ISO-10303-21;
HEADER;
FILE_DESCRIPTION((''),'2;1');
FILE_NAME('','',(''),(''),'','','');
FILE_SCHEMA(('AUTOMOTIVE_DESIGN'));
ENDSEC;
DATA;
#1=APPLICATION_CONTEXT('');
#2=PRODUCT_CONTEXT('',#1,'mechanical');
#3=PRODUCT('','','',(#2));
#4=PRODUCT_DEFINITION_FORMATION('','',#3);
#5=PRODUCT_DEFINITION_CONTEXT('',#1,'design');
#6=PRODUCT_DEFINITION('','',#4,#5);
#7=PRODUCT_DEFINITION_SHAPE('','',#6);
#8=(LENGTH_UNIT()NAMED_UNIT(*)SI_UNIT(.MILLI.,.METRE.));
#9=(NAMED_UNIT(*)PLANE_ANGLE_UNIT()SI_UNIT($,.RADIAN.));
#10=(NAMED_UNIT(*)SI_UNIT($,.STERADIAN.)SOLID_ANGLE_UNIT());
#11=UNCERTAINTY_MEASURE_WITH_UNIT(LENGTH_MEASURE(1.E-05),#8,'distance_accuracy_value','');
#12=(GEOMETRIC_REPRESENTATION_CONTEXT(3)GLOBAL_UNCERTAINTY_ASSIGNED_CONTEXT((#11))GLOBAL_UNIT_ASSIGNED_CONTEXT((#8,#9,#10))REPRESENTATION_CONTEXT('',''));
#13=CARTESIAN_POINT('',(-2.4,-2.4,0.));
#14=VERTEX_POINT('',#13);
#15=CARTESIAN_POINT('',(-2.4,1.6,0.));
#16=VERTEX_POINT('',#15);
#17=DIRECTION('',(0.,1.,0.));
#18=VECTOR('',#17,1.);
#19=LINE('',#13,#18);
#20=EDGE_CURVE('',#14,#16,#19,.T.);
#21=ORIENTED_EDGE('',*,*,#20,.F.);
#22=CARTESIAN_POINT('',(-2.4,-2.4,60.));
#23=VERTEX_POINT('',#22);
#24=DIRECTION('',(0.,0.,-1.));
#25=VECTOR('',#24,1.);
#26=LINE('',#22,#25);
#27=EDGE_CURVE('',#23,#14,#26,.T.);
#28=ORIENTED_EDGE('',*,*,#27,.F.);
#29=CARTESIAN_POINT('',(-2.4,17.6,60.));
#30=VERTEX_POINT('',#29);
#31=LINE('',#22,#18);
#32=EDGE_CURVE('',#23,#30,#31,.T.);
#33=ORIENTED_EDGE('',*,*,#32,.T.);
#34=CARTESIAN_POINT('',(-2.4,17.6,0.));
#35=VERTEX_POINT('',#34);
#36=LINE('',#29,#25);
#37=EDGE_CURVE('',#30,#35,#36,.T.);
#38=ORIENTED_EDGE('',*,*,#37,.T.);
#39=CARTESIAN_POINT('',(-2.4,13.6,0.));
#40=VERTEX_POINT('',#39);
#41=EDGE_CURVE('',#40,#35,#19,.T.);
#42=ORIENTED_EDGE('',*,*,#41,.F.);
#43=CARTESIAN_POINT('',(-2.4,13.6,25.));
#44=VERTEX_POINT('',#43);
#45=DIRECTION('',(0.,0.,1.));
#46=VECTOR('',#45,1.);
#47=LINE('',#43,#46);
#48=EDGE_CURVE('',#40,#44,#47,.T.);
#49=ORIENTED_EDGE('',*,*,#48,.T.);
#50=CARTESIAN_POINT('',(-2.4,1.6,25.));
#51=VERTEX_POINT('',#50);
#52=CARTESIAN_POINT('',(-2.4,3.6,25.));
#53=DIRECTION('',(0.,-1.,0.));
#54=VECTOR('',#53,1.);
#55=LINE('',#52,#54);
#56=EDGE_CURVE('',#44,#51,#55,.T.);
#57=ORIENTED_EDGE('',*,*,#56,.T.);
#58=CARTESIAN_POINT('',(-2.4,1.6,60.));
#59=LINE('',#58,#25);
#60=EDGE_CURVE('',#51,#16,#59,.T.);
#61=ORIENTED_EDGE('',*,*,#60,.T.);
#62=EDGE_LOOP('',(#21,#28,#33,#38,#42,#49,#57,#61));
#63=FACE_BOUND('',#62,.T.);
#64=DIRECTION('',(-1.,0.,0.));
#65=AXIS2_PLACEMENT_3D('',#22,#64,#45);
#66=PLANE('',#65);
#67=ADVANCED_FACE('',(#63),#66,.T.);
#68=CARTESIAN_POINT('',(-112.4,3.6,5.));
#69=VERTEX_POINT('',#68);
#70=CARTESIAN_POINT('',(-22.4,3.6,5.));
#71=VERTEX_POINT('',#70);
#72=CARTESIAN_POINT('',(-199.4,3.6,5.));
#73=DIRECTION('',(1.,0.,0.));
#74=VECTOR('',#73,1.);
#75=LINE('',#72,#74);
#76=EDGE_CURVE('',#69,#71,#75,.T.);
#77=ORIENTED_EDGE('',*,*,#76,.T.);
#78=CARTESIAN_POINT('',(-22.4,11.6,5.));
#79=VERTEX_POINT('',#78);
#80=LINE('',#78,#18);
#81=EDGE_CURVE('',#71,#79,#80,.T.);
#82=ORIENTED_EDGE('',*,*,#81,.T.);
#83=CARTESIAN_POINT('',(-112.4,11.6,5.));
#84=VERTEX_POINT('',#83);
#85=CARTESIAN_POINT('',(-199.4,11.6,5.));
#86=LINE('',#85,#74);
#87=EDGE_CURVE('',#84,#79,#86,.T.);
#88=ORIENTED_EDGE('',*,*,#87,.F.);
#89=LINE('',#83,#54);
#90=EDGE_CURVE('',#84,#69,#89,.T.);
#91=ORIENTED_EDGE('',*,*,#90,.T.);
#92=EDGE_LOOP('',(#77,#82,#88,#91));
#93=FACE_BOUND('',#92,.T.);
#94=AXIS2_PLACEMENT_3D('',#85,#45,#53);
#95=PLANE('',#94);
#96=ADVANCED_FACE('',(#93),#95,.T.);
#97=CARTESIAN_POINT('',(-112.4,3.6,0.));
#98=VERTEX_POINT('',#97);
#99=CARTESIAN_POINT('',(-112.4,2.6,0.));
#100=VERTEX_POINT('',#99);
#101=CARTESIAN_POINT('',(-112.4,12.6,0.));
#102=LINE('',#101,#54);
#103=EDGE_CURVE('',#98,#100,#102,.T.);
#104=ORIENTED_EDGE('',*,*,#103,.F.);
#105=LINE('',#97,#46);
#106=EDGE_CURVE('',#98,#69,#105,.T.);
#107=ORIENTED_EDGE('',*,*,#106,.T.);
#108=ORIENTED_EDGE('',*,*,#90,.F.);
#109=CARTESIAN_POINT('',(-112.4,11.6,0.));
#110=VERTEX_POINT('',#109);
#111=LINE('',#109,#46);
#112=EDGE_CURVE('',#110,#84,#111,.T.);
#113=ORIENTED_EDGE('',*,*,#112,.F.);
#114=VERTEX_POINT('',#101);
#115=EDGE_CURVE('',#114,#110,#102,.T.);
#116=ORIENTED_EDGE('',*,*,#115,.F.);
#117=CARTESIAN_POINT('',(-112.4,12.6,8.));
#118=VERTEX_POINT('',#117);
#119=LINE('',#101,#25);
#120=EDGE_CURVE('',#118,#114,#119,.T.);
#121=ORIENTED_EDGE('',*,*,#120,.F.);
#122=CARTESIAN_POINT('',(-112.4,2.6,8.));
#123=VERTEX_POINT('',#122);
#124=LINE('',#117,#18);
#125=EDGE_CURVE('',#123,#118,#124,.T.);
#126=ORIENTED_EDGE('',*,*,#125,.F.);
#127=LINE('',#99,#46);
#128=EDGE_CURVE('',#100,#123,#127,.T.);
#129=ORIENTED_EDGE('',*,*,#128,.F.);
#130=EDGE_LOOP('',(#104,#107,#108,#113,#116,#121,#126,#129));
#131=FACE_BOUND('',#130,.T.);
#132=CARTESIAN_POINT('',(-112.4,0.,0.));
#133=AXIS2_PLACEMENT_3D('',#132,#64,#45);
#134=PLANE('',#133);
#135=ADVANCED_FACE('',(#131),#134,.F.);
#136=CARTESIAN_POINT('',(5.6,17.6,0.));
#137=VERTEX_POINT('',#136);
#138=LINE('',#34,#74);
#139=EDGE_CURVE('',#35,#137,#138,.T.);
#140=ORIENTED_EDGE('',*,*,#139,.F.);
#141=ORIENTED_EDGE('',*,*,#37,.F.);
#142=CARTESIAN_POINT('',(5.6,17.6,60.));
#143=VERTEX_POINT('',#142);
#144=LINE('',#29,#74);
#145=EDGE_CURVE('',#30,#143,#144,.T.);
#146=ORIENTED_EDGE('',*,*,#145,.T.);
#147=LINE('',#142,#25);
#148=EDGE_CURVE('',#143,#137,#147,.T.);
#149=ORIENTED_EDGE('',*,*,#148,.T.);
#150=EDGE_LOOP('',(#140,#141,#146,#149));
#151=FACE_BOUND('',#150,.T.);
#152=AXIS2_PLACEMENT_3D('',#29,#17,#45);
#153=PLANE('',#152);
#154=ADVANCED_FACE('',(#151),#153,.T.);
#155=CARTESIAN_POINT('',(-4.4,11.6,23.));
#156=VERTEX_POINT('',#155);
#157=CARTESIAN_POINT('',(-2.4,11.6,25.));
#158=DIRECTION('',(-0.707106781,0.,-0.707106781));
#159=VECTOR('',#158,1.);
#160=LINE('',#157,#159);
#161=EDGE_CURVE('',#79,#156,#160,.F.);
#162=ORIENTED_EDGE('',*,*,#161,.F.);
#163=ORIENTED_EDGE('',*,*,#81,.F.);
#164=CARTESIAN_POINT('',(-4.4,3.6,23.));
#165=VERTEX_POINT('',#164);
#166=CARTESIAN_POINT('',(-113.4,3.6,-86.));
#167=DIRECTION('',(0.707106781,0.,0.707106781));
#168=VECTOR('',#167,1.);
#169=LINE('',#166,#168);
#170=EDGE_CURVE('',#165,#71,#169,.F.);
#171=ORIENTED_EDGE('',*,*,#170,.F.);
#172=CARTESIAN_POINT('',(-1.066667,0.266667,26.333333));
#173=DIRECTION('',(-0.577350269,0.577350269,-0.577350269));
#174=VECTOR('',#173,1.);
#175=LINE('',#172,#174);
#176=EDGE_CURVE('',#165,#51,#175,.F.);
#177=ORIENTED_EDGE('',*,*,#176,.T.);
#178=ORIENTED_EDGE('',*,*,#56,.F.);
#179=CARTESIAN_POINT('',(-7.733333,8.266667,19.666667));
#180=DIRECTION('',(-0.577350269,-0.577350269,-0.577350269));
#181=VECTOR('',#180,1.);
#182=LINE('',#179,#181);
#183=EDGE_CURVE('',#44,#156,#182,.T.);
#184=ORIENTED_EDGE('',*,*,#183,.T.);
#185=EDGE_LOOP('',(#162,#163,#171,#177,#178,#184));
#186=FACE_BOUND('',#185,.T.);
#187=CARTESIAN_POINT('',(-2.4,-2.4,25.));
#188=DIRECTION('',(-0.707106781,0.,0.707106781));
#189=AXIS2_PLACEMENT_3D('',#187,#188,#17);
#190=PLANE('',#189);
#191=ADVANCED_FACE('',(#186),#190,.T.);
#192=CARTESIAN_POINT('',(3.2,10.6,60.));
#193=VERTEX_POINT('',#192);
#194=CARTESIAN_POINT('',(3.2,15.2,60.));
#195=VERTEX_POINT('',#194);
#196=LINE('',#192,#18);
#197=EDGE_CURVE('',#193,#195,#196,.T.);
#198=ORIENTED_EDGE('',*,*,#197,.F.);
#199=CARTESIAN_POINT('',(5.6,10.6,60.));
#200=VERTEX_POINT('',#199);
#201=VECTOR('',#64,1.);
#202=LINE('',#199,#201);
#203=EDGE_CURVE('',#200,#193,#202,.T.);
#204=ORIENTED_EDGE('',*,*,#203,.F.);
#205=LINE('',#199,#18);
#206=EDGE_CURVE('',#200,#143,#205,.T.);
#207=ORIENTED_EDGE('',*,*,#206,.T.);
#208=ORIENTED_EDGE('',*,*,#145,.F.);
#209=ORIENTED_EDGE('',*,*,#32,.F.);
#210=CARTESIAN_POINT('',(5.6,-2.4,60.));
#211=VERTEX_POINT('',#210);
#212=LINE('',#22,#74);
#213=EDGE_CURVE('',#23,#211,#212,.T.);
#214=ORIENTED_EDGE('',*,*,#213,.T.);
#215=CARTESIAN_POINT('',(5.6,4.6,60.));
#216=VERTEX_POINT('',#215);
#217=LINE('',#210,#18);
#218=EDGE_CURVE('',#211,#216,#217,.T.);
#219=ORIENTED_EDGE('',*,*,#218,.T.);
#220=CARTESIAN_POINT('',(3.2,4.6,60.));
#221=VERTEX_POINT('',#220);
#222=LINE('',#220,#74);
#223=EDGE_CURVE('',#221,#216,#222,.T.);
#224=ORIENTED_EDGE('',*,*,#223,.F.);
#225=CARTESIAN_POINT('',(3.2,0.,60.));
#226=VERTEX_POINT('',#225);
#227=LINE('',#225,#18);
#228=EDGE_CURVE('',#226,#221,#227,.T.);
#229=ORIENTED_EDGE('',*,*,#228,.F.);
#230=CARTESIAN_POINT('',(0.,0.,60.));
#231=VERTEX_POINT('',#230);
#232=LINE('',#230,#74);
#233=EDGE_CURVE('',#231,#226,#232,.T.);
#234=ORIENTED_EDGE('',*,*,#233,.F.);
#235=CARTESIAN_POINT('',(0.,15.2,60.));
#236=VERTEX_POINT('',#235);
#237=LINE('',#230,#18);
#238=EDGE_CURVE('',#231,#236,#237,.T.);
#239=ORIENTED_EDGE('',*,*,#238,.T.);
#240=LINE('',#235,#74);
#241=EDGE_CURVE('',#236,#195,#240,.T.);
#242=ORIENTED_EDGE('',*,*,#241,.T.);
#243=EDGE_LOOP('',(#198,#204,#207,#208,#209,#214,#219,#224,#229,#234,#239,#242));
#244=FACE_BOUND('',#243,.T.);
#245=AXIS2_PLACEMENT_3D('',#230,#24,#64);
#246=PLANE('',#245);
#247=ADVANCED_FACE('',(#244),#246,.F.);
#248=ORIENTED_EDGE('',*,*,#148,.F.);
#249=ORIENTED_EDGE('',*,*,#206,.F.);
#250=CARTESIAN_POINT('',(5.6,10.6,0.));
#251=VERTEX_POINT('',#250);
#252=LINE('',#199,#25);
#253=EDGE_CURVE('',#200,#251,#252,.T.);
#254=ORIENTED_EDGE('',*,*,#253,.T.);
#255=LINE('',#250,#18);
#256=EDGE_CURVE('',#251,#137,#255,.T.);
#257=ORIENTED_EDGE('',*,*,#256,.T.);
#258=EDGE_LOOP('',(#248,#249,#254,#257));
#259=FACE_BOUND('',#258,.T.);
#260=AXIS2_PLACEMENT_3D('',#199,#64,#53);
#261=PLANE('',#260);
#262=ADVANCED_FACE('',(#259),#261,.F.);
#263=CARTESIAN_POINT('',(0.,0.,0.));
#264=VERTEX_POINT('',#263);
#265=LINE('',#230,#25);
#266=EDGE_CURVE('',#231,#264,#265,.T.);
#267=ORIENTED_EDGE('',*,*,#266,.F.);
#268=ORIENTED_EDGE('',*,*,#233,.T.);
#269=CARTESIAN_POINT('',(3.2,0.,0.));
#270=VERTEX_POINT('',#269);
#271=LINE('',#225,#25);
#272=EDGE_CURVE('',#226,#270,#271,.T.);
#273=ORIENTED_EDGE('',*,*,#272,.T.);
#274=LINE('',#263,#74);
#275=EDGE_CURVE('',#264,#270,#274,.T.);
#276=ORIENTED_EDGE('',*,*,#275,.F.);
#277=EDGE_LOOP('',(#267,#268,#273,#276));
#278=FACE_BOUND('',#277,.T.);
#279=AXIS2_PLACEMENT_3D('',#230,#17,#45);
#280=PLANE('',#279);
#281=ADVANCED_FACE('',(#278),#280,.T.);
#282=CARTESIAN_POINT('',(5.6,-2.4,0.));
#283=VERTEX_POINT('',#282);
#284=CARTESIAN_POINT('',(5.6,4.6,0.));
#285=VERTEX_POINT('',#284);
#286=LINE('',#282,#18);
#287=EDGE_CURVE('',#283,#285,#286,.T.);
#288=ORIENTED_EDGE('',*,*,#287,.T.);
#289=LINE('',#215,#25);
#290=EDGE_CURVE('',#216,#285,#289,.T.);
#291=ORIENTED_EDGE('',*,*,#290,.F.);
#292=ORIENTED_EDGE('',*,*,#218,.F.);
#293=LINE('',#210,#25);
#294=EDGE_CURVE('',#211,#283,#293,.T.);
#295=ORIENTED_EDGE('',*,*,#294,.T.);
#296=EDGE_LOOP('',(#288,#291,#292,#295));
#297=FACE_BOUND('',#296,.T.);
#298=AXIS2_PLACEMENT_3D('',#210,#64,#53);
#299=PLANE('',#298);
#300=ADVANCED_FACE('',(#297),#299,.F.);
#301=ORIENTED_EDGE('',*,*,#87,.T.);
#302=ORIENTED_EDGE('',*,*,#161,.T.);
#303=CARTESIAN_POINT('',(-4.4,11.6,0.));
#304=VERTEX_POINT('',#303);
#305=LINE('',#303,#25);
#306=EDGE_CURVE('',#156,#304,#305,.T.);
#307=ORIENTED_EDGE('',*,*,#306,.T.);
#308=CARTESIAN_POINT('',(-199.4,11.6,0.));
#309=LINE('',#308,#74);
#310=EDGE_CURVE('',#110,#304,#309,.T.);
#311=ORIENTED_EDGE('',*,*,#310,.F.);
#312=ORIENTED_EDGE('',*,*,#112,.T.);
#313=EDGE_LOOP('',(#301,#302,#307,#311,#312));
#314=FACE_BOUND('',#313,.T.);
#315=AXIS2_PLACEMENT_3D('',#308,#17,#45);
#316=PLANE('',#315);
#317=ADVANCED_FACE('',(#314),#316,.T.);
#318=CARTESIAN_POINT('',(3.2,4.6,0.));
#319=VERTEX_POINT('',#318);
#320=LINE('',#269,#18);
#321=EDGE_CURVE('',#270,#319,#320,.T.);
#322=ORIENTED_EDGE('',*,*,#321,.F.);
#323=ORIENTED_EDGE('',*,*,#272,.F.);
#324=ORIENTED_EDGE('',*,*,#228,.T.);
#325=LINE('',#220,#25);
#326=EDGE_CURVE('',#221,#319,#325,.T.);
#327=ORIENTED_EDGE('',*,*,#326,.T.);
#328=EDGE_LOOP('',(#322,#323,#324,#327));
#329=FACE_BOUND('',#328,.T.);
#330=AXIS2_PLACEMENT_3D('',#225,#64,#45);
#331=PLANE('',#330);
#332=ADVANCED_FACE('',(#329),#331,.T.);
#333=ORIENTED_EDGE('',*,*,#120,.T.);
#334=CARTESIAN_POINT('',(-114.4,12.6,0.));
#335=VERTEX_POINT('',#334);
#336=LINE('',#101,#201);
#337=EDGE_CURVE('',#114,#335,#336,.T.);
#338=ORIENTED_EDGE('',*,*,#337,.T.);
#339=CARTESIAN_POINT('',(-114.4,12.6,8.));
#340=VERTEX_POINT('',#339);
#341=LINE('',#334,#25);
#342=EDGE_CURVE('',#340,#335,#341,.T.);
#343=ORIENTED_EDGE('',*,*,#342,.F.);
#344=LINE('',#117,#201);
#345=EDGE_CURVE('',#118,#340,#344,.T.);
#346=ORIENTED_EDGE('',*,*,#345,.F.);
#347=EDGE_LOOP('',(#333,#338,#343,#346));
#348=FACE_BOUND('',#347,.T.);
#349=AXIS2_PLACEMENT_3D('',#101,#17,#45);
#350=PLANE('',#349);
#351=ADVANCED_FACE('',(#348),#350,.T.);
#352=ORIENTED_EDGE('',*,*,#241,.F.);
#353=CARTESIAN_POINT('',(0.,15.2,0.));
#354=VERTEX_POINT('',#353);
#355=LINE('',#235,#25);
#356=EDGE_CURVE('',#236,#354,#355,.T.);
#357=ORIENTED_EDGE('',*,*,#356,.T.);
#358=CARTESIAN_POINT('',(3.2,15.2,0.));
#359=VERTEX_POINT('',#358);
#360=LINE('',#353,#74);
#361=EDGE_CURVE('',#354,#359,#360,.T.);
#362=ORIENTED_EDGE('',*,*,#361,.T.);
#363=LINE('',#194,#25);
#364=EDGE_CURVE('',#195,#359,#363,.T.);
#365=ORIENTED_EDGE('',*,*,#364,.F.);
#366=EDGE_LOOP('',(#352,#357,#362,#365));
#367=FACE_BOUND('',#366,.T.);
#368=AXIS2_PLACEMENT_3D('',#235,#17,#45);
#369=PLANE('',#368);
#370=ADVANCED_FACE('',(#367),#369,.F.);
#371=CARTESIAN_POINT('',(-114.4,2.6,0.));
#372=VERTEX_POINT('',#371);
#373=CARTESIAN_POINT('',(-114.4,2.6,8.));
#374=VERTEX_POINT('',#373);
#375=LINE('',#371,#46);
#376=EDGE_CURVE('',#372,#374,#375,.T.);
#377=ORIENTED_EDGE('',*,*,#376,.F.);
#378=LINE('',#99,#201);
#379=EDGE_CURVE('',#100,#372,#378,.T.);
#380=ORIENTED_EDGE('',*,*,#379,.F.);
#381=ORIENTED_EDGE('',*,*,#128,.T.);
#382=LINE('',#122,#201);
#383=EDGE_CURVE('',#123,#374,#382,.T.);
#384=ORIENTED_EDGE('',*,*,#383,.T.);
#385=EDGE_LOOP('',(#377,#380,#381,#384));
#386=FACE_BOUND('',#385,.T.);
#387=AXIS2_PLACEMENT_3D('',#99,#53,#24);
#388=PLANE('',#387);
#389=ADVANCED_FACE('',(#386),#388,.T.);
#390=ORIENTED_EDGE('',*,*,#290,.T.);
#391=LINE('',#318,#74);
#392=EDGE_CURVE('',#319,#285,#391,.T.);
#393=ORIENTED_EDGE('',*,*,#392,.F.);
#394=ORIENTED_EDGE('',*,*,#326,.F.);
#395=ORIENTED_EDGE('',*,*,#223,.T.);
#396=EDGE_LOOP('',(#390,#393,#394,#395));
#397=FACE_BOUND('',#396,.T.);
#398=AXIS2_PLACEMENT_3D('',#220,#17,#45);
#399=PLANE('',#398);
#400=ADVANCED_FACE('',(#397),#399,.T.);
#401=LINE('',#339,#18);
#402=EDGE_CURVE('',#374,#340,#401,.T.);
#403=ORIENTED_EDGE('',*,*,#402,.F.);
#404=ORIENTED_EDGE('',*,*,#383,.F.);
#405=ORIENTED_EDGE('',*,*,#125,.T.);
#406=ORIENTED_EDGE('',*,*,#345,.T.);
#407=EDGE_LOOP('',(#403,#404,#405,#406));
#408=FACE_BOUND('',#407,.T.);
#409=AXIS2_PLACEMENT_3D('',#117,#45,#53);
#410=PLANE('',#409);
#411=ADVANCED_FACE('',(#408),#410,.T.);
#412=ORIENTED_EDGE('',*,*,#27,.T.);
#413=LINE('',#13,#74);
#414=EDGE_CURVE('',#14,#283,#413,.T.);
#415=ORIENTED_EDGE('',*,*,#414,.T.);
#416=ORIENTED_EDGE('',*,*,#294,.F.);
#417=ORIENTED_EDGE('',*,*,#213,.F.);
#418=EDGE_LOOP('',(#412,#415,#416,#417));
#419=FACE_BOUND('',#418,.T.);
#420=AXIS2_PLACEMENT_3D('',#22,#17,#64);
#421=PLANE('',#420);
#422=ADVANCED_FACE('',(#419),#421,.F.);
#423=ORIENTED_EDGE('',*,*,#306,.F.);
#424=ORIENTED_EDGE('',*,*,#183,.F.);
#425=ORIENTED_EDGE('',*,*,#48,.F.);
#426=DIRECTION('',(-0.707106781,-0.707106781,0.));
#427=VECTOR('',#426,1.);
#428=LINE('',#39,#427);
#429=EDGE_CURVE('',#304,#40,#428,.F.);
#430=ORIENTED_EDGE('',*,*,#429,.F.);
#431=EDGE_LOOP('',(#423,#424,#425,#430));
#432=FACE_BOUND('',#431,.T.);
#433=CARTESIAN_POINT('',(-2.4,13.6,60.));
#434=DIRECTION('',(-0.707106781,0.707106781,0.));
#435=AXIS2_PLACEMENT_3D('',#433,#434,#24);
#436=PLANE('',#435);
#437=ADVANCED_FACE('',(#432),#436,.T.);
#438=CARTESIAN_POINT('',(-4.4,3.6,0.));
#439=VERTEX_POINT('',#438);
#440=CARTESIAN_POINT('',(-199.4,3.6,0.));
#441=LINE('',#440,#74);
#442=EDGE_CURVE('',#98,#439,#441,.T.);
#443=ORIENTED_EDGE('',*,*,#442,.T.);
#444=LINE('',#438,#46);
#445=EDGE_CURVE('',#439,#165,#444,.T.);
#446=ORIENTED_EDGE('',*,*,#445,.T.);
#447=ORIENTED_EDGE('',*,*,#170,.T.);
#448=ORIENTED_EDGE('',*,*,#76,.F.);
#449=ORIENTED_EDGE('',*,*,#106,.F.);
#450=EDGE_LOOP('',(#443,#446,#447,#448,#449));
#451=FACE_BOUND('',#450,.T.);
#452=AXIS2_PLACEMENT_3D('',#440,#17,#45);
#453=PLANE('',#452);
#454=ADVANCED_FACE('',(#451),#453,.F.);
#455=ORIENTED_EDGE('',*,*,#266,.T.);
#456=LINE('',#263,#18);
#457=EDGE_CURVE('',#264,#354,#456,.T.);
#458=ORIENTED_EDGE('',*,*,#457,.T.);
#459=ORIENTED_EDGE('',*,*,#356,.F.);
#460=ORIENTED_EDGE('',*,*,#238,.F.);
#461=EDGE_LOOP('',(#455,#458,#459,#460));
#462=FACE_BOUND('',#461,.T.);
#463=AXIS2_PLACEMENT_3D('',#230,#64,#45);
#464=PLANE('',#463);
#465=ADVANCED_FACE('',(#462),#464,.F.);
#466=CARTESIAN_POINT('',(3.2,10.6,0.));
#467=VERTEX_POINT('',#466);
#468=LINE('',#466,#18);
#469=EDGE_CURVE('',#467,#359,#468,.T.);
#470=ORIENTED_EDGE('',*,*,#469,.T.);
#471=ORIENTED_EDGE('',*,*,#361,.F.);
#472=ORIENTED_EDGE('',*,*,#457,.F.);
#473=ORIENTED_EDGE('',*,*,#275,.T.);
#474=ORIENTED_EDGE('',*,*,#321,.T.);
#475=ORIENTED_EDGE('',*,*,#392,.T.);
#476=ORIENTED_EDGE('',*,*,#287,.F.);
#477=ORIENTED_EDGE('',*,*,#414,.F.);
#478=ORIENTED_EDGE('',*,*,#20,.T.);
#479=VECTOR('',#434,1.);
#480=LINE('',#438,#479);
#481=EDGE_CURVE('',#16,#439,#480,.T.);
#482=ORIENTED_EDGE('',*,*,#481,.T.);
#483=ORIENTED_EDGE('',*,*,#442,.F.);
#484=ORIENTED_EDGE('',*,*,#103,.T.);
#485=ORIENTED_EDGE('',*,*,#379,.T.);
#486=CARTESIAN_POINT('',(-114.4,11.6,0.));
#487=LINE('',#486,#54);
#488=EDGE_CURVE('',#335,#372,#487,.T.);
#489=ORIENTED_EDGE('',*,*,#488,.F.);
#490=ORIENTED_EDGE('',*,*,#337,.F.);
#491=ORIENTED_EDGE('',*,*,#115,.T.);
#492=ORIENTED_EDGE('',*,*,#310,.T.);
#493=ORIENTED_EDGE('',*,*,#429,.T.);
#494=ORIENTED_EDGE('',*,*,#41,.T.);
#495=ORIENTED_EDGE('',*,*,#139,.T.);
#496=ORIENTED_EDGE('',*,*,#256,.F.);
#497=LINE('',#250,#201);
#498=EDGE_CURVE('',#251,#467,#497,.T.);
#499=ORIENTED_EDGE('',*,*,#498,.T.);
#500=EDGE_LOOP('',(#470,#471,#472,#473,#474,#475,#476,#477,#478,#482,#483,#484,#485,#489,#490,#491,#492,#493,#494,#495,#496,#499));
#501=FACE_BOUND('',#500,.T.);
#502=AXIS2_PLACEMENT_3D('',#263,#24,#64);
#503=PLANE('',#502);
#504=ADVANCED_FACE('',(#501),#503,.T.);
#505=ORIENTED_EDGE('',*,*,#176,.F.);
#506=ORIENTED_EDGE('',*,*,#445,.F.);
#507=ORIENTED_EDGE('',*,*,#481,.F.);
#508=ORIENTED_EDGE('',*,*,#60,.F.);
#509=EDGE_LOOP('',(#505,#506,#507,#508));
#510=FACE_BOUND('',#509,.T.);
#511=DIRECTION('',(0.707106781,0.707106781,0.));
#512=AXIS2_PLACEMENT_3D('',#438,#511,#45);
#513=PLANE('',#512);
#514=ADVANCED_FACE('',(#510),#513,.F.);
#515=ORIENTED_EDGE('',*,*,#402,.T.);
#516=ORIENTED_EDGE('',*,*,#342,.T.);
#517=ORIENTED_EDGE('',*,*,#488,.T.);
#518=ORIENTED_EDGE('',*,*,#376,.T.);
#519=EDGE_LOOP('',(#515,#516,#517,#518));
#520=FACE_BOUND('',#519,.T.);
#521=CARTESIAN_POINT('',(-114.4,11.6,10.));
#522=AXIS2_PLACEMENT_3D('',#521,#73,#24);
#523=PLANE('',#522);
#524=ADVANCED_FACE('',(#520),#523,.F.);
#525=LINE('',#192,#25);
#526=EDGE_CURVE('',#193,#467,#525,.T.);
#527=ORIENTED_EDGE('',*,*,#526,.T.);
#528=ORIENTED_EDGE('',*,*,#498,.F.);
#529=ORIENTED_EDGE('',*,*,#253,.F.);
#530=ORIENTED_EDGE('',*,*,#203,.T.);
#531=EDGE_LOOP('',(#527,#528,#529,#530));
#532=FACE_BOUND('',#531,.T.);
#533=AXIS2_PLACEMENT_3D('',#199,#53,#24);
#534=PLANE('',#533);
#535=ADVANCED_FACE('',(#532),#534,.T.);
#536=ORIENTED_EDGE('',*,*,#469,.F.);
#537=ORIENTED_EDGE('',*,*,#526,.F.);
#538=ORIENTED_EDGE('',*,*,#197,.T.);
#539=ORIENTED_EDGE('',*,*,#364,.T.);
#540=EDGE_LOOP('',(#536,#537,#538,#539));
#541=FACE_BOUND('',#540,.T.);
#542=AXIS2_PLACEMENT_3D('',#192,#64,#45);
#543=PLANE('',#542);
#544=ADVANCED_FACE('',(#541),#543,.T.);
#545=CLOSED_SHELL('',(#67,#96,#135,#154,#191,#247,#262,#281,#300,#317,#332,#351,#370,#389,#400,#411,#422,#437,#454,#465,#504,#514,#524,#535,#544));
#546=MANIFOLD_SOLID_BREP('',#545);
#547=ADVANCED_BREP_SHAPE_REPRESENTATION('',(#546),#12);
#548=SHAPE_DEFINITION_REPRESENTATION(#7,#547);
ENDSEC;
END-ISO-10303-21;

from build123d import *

# Parameters (mm, degrees)
EXTRUDE_1_DEPTH     = 60
SKETCH_2_W          = 5
SKETCH_2_H          = 8
EXTRUDE_2_DEPTH     = 197
CHAMFER_1_SIZE      = 20
CHAMFER_2_SIZE      = 2
SKETCH_4_W          = 85
SKETCH_4_H          = 8
CUT_EXTRUDE_1_DEPTH = 10
SKETCH_5_W          = 8
SKETCH_5_H          = 10
EXTRUDE_3_DEPTH     = 2


with BuildPart() as part:
    # 草图1 → 凸台-拉伸1 (new body)
    with BuildSketch(Plane.XY):
        Polygon((5.6, 10.6), (3.2, 10.6), (3.2, 15.2), (0, 15.2), (0, 0), (3.2, 0), (3.2, 4.6), (5.6, 4.6), (5.6, -2.4), (-2.4, -2.4), (-2.4, 17.6), (5.6, 17.6), align=None)
    extrude(amount=EXTRUDE_1_DEPTH)

    # 草图2 → 凸台-拉伸2 (add)
    with BuildSketch(Plane.ZY.offset(2.4)):
        with Locations((2.5, 7.6)):
            Rectangle(SKETCH_2_W, SKETCH_2_H)
    extrude(amount=EXTRUDE_2_DEPTH)

    # 倒角1
    chamfer_1_edges = [part.edges().sort_by_distance(p)[0] for p in [
        (-2.4, 7.6, 5),
    ]]
    chamfer(chamfer_1_edges, length=CHAMFER_1_SIZE)

    # 倒角2
    chamfer_2_edges = [part.edges().sort_by_distance(p)[0] for p in [
        (-2.4, 3.6, 15),
        (-2.4, 11.6, 15),
    ]]
    chamfer(chamfer_2_edges, length=CHAMFER_2_SIZE)

    # 草图4 → 切除-拉伸1 (cut)
    with BuildSketch(Plane(origin=(0, 0, 0), x_dir=(-1, 0, 0), z_dir=(0, 0, -1))):
        with Locations((156.9, 7.6)):
            Rectangle(SKETCH_4_W, SKETCH_4_H)
    extrude(amount=-CUT_EXTRUDE_1_DEPTH, mode=Mode.SUBTRACT)

    # 草图5 → 凸台-拉伸3 (add)
    with BuildSketch(Plane.ZY.offset(114.4)):
        with Locations((4, 7.6)):
            Rectangle(SKETCH_5_W, SKETCH_5_H)
    extrude(amount=-EXTRUDE_3_DEPTH)


solid = part.part
